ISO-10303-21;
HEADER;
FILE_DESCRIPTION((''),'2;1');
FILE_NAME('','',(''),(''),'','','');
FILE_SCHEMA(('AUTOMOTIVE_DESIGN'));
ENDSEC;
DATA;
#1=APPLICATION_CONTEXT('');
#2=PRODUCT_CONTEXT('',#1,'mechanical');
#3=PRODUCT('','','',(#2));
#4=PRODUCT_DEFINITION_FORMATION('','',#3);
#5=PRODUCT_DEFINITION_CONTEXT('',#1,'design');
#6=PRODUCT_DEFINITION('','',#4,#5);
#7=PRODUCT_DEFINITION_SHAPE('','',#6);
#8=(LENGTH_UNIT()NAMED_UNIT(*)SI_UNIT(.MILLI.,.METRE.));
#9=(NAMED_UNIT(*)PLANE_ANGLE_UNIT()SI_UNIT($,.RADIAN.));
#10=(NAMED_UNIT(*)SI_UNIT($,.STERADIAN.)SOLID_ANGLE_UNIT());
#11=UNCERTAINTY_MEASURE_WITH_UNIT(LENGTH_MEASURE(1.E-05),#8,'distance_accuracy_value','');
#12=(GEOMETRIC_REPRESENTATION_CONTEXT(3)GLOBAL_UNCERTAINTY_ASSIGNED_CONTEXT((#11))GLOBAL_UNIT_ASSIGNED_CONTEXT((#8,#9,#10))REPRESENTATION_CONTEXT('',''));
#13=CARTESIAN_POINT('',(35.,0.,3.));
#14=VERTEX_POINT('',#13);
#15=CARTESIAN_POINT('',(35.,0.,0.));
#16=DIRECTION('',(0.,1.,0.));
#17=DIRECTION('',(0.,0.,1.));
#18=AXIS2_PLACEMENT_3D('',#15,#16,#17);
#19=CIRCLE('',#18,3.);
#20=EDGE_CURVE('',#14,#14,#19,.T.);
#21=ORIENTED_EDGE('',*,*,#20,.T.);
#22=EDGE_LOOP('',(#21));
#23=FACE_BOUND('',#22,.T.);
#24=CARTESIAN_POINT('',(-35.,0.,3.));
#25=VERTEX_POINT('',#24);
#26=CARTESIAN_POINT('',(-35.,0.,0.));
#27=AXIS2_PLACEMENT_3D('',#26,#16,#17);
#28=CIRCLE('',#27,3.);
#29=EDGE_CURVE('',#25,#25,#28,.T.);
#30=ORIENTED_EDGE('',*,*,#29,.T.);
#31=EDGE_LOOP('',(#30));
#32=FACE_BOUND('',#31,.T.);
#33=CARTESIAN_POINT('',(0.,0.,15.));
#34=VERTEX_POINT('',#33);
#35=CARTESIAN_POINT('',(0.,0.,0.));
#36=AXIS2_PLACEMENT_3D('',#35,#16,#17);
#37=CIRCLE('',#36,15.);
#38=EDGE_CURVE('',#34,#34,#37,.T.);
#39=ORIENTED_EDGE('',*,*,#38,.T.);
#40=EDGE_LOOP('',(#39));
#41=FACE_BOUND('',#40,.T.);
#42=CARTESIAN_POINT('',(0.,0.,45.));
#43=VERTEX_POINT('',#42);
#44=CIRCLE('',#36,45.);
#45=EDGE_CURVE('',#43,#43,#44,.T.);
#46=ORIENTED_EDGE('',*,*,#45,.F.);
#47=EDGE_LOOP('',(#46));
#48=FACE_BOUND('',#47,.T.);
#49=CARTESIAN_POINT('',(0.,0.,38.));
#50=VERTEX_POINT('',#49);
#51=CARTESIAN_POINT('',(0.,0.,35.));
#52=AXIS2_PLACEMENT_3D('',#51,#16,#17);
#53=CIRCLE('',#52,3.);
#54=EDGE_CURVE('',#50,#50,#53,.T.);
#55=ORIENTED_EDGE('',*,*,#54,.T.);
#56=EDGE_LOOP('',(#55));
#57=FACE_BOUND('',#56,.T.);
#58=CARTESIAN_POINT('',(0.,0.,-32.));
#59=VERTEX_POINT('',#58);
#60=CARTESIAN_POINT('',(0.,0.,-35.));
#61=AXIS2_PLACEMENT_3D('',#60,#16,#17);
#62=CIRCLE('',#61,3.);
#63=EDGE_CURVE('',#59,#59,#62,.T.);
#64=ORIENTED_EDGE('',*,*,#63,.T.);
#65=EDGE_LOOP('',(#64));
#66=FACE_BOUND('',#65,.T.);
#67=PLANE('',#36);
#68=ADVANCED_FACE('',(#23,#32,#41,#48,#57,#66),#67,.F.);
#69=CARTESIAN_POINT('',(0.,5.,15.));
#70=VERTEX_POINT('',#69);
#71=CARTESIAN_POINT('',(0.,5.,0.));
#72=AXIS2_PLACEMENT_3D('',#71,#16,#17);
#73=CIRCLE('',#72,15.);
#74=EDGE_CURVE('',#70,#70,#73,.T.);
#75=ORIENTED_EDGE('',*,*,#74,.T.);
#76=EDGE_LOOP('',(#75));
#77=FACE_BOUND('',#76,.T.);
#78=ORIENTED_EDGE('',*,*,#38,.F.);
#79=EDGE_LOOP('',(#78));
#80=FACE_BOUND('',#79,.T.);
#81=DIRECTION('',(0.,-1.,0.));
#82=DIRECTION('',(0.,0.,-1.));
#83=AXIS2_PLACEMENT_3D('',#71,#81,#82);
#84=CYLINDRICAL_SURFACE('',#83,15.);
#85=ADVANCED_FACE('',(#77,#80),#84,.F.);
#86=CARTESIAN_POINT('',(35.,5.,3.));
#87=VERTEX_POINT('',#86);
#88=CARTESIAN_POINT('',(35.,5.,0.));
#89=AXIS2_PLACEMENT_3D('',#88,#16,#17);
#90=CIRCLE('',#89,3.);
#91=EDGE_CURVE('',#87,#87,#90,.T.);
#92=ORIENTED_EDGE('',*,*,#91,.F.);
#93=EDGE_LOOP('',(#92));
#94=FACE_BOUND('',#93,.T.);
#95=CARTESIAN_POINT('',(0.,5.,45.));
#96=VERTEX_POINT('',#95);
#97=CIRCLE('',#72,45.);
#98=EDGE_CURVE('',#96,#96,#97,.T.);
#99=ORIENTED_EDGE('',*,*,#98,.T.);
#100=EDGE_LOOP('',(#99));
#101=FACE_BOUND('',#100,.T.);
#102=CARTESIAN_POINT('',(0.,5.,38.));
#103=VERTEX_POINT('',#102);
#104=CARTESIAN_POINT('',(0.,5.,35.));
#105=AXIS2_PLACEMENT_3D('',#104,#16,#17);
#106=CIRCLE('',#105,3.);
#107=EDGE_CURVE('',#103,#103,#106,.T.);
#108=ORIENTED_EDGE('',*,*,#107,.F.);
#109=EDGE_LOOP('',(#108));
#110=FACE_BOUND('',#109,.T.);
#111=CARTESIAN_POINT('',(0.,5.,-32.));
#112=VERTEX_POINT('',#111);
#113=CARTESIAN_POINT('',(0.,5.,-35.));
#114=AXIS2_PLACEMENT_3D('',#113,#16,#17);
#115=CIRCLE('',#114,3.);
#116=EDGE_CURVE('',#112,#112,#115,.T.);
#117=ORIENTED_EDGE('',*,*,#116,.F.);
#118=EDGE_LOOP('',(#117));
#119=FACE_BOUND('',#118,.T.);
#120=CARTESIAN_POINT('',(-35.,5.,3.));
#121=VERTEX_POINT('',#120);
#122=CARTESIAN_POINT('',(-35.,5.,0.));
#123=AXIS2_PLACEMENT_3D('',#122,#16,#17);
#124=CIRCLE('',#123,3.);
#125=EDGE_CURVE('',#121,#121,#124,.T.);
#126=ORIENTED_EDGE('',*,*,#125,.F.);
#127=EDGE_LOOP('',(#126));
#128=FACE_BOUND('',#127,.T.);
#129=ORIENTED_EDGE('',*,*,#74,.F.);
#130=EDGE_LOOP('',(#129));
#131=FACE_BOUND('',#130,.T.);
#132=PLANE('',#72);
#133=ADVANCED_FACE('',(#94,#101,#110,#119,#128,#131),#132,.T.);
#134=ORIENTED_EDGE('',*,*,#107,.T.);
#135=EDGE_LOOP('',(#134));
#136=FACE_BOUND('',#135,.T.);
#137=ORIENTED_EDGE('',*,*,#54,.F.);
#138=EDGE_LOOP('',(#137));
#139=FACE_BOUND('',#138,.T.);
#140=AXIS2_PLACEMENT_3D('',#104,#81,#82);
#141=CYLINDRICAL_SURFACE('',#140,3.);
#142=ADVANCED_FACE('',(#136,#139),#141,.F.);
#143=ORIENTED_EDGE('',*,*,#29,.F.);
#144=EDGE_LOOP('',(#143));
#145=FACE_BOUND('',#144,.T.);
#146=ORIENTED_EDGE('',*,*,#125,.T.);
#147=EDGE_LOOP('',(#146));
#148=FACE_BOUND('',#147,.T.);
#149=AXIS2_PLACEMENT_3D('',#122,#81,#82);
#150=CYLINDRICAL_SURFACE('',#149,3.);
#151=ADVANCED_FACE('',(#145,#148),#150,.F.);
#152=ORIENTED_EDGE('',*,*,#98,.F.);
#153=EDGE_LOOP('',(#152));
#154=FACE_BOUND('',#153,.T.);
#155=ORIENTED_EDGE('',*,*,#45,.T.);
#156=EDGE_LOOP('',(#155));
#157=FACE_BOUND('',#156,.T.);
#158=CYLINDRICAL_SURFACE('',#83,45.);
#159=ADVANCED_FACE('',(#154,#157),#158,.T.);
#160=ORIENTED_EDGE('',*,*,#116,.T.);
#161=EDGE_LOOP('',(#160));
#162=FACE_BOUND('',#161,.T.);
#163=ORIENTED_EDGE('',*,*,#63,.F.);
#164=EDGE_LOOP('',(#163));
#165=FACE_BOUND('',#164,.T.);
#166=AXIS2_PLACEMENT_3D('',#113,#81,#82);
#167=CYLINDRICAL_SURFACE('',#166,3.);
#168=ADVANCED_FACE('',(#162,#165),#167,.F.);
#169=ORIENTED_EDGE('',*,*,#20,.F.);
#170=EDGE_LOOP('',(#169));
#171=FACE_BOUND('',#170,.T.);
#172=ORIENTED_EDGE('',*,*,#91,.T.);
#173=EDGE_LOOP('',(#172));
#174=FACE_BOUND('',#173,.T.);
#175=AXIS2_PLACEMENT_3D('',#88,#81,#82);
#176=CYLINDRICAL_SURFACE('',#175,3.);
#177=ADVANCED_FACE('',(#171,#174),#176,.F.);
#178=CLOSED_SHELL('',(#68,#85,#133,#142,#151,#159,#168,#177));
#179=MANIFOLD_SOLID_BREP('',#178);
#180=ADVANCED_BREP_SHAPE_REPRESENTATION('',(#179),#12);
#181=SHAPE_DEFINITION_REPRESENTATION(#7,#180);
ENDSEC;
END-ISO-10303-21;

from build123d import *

# Parameters (mm, degrees)
SKETCH_1_R      = 45
SKETCH_1_R_2    = 3
SKETCH_1_R_3    = 15
EXTRUDE_3_DEPTH = 5


with BuildPart() as part:
    # 草圖1 → 填料-伸長3 (new body)
    with BuildSketch(Plane(origin=(0, 0, 0), x_dir=(1, 0, 0), z_dir=(0, 1, 0))):
        Circle(SKETCH_1_R)
        with Locations((-35, 0)):
            Circle(SKETCH_1_R_2, mode=Mode.SUBTRACT)
        with Locations((35, 0)):
            Circle(SKETCH_1_R_2, mode=Mode.SUBTRACT)
        with Locations((0, -35)):
            Circle(SKETCH_1_R_2, mode=Mode.SUBTRACT)
        with Locations((0, 35)):
            Circle(SKETCH_1_R_2, mode=Mode.SUBTRACT)
        Circle(SKETCH_1_R_3, mode=Mode.SUBTRACT)
    extrude(amount=EXTRUDE_3_DEPTH)


solid = part.part
